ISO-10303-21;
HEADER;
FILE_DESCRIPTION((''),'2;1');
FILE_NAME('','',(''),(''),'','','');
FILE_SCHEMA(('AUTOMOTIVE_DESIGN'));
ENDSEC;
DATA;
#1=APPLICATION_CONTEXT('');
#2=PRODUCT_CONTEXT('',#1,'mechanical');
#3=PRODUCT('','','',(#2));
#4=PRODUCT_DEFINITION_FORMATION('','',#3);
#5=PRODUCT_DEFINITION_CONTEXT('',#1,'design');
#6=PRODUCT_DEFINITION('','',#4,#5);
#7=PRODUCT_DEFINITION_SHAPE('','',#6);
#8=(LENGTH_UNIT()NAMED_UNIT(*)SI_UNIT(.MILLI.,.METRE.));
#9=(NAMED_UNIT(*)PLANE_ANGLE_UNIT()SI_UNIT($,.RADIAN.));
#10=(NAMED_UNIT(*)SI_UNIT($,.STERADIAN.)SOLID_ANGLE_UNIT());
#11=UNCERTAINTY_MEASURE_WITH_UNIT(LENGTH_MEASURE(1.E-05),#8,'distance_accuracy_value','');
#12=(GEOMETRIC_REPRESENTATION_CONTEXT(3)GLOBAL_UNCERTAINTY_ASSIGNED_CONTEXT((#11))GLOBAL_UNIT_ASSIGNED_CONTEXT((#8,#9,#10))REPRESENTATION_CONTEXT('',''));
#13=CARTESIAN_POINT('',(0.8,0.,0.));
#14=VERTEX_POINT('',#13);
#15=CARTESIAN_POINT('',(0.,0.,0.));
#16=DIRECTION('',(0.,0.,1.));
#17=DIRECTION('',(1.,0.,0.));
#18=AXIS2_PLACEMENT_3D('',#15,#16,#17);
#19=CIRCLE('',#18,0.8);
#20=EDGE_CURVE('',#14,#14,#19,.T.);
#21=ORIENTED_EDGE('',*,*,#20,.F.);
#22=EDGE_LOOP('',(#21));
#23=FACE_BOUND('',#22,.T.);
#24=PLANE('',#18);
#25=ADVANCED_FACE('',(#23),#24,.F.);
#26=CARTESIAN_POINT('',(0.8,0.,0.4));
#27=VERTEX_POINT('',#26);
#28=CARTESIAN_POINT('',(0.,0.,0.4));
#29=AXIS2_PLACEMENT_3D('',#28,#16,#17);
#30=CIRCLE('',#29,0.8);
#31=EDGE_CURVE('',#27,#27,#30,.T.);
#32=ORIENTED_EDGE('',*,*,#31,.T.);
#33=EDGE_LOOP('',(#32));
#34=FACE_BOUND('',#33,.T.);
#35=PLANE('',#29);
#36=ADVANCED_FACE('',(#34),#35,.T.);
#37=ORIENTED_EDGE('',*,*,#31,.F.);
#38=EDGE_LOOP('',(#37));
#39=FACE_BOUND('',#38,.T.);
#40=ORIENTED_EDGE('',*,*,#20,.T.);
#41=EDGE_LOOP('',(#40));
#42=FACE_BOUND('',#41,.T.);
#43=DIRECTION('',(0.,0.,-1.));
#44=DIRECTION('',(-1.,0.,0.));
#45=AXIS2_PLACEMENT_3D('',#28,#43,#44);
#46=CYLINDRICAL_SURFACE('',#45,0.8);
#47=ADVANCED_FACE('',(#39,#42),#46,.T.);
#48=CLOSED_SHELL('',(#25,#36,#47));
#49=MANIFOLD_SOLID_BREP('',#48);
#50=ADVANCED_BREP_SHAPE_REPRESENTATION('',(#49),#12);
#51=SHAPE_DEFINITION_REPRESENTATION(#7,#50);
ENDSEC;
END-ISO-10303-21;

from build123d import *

# Parameters (mm, degrees)
SKETCH_1_R      = 0.8
EXTRUDE_1_DEPTH = 0.4


with BuildPart() as part:
    # Эскиз1 → Бобышка-Вытянуть1 (new body)
    with BuildSketch(Plane.XY):
        Circle(SKETCH_1_R)
    extrude(amount=EXTRUDE_1_DEPTH)


solid = part.part
